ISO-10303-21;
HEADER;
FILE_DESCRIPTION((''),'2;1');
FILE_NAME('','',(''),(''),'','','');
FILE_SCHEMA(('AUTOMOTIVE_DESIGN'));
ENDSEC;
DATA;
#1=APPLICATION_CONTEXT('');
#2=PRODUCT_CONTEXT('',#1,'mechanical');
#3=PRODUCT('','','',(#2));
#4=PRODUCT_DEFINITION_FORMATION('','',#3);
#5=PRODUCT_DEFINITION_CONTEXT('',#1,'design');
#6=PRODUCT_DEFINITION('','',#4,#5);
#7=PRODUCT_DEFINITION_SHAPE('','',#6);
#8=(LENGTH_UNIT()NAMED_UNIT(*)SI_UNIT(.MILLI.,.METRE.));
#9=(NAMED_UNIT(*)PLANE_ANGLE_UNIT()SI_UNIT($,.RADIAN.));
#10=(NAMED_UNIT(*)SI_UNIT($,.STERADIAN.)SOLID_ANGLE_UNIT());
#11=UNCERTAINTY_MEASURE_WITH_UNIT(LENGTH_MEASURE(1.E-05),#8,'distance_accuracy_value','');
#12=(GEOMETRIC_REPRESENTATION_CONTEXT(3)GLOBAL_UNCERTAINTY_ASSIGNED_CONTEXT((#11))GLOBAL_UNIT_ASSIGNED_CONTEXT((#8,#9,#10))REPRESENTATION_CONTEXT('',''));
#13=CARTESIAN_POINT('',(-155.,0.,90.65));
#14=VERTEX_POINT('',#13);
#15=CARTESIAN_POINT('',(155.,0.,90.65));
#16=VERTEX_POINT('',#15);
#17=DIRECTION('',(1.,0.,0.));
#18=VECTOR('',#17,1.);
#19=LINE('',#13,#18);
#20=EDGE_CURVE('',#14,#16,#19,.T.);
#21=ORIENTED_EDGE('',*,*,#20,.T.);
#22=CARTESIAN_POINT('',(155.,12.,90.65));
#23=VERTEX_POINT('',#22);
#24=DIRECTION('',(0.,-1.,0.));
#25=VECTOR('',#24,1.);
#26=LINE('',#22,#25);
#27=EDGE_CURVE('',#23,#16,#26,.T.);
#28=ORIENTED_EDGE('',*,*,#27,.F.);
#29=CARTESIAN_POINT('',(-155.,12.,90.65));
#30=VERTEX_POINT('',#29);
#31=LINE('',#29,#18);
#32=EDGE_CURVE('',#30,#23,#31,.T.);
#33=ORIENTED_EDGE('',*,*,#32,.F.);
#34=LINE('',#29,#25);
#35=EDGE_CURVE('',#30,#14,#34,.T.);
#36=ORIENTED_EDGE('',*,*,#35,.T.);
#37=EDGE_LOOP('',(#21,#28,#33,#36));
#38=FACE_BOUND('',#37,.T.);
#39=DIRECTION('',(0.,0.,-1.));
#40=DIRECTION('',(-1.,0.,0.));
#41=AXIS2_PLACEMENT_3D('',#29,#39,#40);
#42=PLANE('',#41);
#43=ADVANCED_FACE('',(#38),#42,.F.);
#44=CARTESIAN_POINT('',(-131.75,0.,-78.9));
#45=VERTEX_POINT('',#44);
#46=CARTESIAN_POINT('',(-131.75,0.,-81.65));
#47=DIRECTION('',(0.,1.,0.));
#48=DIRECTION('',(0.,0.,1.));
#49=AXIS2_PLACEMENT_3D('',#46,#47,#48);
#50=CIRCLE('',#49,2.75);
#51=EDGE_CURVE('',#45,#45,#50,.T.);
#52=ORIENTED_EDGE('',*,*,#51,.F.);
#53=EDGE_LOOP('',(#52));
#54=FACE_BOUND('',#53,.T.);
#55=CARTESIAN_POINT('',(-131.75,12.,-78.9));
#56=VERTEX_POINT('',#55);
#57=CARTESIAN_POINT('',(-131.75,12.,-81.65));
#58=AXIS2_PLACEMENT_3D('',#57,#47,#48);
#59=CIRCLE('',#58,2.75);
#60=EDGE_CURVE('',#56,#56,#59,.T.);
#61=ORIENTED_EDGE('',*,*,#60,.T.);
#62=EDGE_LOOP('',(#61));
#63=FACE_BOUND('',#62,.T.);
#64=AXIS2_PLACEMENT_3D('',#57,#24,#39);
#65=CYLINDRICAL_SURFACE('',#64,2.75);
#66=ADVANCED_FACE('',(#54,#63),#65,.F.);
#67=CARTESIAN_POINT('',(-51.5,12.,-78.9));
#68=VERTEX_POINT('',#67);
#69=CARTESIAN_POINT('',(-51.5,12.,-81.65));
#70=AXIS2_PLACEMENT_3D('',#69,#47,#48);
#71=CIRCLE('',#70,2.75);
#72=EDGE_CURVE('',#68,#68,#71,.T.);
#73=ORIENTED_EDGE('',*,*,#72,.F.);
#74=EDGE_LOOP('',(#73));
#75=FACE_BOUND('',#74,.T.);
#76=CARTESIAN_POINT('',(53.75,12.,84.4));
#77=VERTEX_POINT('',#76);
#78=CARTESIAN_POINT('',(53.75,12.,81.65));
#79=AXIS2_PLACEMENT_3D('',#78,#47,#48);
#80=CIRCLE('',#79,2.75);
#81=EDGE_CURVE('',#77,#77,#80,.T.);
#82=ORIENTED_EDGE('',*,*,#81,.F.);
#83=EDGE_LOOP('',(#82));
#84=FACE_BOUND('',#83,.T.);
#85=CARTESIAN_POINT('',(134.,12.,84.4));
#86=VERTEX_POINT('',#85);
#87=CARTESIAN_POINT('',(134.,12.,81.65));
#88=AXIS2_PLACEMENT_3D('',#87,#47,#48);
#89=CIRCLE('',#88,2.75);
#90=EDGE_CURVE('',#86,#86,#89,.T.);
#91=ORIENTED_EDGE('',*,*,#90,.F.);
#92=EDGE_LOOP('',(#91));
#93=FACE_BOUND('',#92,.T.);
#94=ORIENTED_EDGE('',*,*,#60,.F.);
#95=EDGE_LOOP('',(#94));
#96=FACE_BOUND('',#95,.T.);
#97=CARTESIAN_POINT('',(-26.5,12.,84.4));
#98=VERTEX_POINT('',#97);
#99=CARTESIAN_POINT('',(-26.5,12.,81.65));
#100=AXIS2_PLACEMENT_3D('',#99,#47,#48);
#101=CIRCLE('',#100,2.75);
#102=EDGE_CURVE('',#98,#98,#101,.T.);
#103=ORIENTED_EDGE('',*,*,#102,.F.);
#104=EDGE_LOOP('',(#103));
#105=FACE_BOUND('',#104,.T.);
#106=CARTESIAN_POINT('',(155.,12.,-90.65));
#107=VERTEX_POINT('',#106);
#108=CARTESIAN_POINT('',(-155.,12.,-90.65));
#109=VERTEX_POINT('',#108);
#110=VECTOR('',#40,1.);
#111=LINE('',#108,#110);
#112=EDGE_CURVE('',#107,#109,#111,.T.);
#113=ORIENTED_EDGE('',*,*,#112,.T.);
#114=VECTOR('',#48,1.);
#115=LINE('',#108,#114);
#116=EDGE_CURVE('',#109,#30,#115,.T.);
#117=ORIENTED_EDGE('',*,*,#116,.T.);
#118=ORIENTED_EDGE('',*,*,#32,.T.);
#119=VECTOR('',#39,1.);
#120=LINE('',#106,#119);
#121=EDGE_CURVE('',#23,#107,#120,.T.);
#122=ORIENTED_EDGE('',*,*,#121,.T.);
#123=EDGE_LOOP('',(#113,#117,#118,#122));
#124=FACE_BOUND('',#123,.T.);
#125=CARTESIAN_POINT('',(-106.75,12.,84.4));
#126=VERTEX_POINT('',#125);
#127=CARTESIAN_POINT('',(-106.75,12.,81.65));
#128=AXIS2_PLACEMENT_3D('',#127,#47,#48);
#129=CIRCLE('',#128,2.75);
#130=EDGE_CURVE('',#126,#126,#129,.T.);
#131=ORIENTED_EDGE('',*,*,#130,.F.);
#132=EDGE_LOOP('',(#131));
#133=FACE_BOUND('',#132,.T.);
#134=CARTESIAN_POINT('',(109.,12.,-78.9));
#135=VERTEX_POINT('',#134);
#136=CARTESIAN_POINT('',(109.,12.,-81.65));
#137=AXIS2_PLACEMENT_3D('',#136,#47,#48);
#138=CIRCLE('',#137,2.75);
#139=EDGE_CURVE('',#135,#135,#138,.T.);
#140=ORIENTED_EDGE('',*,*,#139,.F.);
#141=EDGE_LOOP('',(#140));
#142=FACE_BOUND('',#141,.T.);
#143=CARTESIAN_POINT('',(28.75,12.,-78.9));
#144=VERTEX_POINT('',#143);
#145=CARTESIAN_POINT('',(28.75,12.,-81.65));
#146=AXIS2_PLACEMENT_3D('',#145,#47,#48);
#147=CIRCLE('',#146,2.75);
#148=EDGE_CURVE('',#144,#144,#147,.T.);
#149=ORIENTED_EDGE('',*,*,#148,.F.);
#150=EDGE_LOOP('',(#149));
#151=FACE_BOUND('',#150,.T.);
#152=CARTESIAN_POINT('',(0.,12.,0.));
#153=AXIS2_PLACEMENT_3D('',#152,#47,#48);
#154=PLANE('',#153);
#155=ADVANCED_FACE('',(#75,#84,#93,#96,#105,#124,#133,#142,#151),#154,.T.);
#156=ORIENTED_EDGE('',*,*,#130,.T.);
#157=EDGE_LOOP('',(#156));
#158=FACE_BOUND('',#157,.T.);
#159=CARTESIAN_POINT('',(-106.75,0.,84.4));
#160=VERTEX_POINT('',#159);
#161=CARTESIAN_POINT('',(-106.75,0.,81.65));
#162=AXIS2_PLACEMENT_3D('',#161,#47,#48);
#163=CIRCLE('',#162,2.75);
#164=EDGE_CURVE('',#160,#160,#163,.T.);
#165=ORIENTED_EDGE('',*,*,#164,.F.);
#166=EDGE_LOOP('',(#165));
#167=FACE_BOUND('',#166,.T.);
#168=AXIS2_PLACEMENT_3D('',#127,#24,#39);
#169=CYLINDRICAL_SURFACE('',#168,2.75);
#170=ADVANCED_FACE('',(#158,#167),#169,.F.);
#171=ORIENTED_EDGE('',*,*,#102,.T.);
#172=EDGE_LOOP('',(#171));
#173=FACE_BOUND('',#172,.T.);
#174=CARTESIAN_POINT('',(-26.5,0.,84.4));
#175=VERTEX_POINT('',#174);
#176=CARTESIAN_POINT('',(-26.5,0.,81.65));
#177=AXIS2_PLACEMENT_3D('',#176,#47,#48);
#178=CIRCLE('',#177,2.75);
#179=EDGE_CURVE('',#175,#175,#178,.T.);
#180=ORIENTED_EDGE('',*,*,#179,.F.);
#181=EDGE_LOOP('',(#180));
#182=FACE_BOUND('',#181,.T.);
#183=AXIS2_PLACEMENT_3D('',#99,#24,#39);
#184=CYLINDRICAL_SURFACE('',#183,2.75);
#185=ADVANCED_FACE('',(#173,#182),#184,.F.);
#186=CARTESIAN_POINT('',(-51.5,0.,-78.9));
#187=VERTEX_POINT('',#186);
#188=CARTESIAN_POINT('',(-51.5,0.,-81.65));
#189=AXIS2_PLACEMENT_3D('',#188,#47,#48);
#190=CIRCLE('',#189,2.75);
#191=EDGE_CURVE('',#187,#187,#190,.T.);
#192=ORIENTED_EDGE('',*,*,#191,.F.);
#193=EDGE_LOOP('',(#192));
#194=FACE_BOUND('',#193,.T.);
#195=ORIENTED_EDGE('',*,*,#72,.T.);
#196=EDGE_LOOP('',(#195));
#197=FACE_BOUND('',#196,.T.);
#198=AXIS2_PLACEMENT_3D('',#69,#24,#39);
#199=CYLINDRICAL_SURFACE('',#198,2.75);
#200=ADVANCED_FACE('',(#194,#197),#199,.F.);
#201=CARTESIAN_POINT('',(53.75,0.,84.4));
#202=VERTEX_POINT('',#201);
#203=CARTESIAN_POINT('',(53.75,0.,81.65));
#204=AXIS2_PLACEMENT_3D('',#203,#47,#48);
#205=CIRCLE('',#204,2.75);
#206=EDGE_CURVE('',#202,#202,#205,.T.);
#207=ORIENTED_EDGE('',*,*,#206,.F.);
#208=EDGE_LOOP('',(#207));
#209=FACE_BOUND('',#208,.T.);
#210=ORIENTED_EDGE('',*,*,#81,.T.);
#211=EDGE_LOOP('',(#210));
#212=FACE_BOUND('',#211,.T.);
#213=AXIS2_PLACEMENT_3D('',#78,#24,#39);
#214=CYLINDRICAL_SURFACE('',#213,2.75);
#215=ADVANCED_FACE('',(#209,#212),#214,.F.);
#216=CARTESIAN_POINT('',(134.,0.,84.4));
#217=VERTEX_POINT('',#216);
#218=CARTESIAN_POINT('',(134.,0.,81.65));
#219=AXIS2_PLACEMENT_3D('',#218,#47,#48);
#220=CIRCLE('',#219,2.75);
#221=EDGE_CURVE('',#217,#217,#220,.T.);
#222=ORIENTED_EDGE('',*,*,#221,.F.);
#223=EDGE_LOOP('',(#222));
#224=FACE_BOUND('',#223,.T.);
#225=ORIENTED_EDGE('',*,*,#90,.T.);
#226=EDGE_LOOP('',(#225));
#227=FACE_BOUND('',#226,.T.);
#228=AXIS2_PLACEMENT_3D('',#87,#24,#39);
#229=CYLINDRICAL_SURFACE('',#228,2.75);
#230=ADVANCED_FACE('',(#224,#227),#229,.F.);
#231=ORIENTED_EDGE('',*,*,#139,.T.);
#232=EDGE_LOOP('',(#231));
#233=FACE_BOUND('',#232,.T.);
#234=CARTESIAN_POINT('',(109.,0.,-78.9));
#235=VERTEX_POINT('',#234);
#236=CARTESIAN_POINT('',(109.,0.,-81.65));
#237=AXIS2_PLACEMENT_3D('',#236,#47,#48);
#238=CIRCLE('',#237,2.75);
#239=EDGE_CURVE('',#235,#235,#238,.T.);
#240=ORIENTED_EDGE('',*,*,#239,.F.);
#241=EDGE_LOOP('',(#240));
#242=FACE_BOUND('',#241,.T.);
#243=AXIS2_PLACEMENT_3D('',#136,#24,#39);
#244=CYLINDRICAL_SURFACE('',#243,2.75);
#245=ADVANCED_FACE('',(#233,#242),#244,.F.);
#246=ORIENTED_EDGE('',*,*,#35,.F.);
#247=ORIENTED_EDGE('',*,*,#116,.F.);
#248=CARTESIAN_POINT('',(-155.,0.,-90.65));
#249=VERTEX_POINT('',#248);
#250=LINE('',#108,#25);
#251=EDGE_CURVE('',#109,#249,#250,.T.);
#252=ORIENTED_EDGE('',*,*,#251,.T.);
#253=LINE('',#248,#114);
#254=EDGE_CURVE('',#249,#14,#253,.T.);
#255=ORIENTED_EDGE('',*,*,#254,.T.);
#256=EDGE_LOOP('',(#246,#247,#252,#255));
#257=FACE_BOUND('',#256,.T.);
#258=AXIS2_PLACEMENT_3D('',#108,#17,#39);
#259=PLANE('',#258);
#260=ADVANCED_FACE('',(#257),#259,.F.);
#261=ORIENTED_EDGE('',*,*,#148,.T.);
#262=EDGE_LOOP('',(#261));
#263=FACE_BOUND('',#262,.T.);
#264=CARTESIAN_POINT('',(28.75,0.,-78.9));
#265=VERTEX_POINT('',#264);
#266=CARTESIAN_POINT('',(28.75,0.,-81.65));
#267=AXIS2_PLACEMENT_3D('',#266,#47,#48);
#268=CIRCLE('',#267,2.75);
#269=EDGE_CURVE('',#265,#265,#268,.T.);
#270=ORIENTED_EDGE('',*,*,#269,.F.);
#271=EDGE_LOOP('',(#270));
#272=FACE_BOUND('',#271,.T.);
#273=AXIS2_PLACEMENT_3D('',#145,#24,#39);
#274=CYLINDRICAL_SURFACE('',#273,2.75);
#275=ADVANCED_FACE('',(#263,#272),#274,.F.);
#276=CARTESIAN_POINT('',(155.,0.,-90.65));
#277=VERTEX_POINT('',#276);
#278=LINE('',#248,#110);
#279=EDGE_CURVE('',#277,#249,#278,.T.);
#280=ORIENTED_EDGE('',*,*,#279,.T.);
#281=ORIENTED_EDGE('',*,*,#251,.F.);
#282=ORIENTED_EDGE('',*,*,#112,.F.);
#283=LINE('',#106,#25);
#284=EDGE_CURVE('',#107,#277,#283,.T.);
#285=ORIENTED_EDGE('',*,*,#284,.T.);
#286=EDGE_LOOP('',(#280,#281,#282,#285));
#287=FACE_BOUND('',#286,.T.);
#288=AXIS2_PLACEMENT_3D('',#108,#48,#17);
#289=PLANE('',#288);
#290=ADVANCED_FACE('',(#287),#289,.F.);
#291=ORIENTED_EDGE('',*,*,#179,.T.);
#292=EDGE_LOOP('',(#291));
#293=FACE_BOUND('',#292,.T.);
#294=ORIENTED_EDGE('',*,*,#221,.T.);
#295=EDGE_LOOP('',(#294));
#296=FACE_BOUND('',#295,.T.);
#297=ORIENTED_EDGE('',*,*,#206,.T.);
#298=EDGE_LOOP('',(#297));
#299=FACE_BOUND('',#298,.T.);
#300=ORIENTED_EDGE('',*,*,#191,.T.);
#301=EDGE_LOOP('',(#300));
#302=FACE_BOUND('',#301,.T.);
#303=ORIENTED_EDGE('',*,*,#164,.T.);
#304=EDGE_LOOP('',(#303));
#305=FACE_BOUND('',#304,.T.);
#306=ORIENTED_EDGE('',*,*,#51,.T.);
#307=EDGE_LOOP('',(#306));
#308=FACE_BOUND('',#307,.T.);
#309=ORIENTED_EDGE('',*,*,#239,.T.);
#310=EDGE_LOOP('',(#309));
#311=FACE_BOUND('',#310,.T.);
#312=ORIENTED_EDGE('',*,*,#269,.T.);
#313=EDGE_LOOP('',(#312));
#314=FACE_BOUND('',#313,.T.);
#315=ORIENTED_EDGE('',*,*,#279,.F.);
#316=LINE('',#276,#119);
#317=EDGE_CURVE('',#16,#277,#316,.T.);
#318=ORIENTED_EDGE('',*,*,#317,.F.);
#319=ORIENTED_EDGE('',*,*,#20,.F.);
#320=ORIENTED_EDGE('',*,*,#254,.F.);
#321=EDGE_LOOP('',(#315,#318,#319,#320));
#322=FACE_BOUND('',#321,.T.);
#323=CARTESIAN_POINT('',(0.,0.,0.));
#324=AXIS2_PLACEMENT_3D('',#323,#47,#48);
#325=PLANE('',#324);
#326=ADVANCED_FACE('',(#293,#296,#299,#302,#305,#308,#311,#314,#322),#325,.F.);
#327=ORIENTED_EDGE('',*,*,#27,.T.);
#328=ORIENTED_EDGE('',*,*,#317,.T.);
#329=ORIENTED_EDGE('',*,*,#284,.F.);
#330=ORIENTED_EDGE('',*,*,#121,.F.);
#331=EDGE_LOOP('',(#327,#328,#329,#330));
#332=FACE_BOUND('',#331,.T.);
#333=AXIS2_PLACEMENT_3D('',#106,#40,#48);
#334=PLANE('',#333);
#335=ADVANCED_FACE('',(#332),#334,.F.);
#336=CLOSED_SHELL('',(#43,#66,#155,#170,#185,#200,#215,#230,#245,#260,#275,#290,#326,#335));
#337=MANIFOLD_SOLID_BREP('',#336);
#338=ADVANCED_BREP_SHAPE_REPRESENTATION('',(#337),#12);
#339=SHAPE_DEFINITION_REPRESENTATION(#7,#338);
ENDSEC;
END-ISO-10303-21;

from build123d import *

# Parameters (mm, degrees)
SKETCH1_W           = 310
SKETCH1_H           = 181.3
SKETCH1_R           = 2.75
BOSS_EXTRUDE1_DEPTH = 12


with BuildPart() as part:
    # Sketch1 → Boss-Extrude1 (new body)
    with BuildSketch(Plane(origin=(0, 0, 0), x_dir=(1, 0, 0), z_dir=(0, 1, 0))):
        Rectangle(SKETCH1_W, SKETCH1_H)
        with Locations((-131.75, 81.65)):
            Circle(SKETCH1_R, mode=Mode.SUBTRACT)
        with Locations((-51.5, 81.65)):
            Circle(SKETCH1_R, mode=Mode.SUBTRACT)
        with Locations((28.75, 81.65)):
            Circle(SKETCH1_R, mode=Mode.SUBTRACT)
        with Locations((109, 81.65)):
            Circle(SKETCH1_R, mode=Mode.SUBTRACT)
        with Locations((-106.75, -81.65)):
            Circle(SKETCH1_R, mode=Mode.SUBTRACT)
        with Locations((-26.5, -81.65)):
            Circle(SKETCH1_R, mode=Mode.SUBTRACT)
        with Locations((53.75, -81.65)):
            Circle(SKETCH1_R, mode=Mode.SUBTRACT)
        with Locations((134, -81.65)):
            Circle(SKETCH1_R, mode=Mode.SUBTRACT)
    extrude(amount=BOSS_EXTRUDE1_DEPTH)


solid = part.part
